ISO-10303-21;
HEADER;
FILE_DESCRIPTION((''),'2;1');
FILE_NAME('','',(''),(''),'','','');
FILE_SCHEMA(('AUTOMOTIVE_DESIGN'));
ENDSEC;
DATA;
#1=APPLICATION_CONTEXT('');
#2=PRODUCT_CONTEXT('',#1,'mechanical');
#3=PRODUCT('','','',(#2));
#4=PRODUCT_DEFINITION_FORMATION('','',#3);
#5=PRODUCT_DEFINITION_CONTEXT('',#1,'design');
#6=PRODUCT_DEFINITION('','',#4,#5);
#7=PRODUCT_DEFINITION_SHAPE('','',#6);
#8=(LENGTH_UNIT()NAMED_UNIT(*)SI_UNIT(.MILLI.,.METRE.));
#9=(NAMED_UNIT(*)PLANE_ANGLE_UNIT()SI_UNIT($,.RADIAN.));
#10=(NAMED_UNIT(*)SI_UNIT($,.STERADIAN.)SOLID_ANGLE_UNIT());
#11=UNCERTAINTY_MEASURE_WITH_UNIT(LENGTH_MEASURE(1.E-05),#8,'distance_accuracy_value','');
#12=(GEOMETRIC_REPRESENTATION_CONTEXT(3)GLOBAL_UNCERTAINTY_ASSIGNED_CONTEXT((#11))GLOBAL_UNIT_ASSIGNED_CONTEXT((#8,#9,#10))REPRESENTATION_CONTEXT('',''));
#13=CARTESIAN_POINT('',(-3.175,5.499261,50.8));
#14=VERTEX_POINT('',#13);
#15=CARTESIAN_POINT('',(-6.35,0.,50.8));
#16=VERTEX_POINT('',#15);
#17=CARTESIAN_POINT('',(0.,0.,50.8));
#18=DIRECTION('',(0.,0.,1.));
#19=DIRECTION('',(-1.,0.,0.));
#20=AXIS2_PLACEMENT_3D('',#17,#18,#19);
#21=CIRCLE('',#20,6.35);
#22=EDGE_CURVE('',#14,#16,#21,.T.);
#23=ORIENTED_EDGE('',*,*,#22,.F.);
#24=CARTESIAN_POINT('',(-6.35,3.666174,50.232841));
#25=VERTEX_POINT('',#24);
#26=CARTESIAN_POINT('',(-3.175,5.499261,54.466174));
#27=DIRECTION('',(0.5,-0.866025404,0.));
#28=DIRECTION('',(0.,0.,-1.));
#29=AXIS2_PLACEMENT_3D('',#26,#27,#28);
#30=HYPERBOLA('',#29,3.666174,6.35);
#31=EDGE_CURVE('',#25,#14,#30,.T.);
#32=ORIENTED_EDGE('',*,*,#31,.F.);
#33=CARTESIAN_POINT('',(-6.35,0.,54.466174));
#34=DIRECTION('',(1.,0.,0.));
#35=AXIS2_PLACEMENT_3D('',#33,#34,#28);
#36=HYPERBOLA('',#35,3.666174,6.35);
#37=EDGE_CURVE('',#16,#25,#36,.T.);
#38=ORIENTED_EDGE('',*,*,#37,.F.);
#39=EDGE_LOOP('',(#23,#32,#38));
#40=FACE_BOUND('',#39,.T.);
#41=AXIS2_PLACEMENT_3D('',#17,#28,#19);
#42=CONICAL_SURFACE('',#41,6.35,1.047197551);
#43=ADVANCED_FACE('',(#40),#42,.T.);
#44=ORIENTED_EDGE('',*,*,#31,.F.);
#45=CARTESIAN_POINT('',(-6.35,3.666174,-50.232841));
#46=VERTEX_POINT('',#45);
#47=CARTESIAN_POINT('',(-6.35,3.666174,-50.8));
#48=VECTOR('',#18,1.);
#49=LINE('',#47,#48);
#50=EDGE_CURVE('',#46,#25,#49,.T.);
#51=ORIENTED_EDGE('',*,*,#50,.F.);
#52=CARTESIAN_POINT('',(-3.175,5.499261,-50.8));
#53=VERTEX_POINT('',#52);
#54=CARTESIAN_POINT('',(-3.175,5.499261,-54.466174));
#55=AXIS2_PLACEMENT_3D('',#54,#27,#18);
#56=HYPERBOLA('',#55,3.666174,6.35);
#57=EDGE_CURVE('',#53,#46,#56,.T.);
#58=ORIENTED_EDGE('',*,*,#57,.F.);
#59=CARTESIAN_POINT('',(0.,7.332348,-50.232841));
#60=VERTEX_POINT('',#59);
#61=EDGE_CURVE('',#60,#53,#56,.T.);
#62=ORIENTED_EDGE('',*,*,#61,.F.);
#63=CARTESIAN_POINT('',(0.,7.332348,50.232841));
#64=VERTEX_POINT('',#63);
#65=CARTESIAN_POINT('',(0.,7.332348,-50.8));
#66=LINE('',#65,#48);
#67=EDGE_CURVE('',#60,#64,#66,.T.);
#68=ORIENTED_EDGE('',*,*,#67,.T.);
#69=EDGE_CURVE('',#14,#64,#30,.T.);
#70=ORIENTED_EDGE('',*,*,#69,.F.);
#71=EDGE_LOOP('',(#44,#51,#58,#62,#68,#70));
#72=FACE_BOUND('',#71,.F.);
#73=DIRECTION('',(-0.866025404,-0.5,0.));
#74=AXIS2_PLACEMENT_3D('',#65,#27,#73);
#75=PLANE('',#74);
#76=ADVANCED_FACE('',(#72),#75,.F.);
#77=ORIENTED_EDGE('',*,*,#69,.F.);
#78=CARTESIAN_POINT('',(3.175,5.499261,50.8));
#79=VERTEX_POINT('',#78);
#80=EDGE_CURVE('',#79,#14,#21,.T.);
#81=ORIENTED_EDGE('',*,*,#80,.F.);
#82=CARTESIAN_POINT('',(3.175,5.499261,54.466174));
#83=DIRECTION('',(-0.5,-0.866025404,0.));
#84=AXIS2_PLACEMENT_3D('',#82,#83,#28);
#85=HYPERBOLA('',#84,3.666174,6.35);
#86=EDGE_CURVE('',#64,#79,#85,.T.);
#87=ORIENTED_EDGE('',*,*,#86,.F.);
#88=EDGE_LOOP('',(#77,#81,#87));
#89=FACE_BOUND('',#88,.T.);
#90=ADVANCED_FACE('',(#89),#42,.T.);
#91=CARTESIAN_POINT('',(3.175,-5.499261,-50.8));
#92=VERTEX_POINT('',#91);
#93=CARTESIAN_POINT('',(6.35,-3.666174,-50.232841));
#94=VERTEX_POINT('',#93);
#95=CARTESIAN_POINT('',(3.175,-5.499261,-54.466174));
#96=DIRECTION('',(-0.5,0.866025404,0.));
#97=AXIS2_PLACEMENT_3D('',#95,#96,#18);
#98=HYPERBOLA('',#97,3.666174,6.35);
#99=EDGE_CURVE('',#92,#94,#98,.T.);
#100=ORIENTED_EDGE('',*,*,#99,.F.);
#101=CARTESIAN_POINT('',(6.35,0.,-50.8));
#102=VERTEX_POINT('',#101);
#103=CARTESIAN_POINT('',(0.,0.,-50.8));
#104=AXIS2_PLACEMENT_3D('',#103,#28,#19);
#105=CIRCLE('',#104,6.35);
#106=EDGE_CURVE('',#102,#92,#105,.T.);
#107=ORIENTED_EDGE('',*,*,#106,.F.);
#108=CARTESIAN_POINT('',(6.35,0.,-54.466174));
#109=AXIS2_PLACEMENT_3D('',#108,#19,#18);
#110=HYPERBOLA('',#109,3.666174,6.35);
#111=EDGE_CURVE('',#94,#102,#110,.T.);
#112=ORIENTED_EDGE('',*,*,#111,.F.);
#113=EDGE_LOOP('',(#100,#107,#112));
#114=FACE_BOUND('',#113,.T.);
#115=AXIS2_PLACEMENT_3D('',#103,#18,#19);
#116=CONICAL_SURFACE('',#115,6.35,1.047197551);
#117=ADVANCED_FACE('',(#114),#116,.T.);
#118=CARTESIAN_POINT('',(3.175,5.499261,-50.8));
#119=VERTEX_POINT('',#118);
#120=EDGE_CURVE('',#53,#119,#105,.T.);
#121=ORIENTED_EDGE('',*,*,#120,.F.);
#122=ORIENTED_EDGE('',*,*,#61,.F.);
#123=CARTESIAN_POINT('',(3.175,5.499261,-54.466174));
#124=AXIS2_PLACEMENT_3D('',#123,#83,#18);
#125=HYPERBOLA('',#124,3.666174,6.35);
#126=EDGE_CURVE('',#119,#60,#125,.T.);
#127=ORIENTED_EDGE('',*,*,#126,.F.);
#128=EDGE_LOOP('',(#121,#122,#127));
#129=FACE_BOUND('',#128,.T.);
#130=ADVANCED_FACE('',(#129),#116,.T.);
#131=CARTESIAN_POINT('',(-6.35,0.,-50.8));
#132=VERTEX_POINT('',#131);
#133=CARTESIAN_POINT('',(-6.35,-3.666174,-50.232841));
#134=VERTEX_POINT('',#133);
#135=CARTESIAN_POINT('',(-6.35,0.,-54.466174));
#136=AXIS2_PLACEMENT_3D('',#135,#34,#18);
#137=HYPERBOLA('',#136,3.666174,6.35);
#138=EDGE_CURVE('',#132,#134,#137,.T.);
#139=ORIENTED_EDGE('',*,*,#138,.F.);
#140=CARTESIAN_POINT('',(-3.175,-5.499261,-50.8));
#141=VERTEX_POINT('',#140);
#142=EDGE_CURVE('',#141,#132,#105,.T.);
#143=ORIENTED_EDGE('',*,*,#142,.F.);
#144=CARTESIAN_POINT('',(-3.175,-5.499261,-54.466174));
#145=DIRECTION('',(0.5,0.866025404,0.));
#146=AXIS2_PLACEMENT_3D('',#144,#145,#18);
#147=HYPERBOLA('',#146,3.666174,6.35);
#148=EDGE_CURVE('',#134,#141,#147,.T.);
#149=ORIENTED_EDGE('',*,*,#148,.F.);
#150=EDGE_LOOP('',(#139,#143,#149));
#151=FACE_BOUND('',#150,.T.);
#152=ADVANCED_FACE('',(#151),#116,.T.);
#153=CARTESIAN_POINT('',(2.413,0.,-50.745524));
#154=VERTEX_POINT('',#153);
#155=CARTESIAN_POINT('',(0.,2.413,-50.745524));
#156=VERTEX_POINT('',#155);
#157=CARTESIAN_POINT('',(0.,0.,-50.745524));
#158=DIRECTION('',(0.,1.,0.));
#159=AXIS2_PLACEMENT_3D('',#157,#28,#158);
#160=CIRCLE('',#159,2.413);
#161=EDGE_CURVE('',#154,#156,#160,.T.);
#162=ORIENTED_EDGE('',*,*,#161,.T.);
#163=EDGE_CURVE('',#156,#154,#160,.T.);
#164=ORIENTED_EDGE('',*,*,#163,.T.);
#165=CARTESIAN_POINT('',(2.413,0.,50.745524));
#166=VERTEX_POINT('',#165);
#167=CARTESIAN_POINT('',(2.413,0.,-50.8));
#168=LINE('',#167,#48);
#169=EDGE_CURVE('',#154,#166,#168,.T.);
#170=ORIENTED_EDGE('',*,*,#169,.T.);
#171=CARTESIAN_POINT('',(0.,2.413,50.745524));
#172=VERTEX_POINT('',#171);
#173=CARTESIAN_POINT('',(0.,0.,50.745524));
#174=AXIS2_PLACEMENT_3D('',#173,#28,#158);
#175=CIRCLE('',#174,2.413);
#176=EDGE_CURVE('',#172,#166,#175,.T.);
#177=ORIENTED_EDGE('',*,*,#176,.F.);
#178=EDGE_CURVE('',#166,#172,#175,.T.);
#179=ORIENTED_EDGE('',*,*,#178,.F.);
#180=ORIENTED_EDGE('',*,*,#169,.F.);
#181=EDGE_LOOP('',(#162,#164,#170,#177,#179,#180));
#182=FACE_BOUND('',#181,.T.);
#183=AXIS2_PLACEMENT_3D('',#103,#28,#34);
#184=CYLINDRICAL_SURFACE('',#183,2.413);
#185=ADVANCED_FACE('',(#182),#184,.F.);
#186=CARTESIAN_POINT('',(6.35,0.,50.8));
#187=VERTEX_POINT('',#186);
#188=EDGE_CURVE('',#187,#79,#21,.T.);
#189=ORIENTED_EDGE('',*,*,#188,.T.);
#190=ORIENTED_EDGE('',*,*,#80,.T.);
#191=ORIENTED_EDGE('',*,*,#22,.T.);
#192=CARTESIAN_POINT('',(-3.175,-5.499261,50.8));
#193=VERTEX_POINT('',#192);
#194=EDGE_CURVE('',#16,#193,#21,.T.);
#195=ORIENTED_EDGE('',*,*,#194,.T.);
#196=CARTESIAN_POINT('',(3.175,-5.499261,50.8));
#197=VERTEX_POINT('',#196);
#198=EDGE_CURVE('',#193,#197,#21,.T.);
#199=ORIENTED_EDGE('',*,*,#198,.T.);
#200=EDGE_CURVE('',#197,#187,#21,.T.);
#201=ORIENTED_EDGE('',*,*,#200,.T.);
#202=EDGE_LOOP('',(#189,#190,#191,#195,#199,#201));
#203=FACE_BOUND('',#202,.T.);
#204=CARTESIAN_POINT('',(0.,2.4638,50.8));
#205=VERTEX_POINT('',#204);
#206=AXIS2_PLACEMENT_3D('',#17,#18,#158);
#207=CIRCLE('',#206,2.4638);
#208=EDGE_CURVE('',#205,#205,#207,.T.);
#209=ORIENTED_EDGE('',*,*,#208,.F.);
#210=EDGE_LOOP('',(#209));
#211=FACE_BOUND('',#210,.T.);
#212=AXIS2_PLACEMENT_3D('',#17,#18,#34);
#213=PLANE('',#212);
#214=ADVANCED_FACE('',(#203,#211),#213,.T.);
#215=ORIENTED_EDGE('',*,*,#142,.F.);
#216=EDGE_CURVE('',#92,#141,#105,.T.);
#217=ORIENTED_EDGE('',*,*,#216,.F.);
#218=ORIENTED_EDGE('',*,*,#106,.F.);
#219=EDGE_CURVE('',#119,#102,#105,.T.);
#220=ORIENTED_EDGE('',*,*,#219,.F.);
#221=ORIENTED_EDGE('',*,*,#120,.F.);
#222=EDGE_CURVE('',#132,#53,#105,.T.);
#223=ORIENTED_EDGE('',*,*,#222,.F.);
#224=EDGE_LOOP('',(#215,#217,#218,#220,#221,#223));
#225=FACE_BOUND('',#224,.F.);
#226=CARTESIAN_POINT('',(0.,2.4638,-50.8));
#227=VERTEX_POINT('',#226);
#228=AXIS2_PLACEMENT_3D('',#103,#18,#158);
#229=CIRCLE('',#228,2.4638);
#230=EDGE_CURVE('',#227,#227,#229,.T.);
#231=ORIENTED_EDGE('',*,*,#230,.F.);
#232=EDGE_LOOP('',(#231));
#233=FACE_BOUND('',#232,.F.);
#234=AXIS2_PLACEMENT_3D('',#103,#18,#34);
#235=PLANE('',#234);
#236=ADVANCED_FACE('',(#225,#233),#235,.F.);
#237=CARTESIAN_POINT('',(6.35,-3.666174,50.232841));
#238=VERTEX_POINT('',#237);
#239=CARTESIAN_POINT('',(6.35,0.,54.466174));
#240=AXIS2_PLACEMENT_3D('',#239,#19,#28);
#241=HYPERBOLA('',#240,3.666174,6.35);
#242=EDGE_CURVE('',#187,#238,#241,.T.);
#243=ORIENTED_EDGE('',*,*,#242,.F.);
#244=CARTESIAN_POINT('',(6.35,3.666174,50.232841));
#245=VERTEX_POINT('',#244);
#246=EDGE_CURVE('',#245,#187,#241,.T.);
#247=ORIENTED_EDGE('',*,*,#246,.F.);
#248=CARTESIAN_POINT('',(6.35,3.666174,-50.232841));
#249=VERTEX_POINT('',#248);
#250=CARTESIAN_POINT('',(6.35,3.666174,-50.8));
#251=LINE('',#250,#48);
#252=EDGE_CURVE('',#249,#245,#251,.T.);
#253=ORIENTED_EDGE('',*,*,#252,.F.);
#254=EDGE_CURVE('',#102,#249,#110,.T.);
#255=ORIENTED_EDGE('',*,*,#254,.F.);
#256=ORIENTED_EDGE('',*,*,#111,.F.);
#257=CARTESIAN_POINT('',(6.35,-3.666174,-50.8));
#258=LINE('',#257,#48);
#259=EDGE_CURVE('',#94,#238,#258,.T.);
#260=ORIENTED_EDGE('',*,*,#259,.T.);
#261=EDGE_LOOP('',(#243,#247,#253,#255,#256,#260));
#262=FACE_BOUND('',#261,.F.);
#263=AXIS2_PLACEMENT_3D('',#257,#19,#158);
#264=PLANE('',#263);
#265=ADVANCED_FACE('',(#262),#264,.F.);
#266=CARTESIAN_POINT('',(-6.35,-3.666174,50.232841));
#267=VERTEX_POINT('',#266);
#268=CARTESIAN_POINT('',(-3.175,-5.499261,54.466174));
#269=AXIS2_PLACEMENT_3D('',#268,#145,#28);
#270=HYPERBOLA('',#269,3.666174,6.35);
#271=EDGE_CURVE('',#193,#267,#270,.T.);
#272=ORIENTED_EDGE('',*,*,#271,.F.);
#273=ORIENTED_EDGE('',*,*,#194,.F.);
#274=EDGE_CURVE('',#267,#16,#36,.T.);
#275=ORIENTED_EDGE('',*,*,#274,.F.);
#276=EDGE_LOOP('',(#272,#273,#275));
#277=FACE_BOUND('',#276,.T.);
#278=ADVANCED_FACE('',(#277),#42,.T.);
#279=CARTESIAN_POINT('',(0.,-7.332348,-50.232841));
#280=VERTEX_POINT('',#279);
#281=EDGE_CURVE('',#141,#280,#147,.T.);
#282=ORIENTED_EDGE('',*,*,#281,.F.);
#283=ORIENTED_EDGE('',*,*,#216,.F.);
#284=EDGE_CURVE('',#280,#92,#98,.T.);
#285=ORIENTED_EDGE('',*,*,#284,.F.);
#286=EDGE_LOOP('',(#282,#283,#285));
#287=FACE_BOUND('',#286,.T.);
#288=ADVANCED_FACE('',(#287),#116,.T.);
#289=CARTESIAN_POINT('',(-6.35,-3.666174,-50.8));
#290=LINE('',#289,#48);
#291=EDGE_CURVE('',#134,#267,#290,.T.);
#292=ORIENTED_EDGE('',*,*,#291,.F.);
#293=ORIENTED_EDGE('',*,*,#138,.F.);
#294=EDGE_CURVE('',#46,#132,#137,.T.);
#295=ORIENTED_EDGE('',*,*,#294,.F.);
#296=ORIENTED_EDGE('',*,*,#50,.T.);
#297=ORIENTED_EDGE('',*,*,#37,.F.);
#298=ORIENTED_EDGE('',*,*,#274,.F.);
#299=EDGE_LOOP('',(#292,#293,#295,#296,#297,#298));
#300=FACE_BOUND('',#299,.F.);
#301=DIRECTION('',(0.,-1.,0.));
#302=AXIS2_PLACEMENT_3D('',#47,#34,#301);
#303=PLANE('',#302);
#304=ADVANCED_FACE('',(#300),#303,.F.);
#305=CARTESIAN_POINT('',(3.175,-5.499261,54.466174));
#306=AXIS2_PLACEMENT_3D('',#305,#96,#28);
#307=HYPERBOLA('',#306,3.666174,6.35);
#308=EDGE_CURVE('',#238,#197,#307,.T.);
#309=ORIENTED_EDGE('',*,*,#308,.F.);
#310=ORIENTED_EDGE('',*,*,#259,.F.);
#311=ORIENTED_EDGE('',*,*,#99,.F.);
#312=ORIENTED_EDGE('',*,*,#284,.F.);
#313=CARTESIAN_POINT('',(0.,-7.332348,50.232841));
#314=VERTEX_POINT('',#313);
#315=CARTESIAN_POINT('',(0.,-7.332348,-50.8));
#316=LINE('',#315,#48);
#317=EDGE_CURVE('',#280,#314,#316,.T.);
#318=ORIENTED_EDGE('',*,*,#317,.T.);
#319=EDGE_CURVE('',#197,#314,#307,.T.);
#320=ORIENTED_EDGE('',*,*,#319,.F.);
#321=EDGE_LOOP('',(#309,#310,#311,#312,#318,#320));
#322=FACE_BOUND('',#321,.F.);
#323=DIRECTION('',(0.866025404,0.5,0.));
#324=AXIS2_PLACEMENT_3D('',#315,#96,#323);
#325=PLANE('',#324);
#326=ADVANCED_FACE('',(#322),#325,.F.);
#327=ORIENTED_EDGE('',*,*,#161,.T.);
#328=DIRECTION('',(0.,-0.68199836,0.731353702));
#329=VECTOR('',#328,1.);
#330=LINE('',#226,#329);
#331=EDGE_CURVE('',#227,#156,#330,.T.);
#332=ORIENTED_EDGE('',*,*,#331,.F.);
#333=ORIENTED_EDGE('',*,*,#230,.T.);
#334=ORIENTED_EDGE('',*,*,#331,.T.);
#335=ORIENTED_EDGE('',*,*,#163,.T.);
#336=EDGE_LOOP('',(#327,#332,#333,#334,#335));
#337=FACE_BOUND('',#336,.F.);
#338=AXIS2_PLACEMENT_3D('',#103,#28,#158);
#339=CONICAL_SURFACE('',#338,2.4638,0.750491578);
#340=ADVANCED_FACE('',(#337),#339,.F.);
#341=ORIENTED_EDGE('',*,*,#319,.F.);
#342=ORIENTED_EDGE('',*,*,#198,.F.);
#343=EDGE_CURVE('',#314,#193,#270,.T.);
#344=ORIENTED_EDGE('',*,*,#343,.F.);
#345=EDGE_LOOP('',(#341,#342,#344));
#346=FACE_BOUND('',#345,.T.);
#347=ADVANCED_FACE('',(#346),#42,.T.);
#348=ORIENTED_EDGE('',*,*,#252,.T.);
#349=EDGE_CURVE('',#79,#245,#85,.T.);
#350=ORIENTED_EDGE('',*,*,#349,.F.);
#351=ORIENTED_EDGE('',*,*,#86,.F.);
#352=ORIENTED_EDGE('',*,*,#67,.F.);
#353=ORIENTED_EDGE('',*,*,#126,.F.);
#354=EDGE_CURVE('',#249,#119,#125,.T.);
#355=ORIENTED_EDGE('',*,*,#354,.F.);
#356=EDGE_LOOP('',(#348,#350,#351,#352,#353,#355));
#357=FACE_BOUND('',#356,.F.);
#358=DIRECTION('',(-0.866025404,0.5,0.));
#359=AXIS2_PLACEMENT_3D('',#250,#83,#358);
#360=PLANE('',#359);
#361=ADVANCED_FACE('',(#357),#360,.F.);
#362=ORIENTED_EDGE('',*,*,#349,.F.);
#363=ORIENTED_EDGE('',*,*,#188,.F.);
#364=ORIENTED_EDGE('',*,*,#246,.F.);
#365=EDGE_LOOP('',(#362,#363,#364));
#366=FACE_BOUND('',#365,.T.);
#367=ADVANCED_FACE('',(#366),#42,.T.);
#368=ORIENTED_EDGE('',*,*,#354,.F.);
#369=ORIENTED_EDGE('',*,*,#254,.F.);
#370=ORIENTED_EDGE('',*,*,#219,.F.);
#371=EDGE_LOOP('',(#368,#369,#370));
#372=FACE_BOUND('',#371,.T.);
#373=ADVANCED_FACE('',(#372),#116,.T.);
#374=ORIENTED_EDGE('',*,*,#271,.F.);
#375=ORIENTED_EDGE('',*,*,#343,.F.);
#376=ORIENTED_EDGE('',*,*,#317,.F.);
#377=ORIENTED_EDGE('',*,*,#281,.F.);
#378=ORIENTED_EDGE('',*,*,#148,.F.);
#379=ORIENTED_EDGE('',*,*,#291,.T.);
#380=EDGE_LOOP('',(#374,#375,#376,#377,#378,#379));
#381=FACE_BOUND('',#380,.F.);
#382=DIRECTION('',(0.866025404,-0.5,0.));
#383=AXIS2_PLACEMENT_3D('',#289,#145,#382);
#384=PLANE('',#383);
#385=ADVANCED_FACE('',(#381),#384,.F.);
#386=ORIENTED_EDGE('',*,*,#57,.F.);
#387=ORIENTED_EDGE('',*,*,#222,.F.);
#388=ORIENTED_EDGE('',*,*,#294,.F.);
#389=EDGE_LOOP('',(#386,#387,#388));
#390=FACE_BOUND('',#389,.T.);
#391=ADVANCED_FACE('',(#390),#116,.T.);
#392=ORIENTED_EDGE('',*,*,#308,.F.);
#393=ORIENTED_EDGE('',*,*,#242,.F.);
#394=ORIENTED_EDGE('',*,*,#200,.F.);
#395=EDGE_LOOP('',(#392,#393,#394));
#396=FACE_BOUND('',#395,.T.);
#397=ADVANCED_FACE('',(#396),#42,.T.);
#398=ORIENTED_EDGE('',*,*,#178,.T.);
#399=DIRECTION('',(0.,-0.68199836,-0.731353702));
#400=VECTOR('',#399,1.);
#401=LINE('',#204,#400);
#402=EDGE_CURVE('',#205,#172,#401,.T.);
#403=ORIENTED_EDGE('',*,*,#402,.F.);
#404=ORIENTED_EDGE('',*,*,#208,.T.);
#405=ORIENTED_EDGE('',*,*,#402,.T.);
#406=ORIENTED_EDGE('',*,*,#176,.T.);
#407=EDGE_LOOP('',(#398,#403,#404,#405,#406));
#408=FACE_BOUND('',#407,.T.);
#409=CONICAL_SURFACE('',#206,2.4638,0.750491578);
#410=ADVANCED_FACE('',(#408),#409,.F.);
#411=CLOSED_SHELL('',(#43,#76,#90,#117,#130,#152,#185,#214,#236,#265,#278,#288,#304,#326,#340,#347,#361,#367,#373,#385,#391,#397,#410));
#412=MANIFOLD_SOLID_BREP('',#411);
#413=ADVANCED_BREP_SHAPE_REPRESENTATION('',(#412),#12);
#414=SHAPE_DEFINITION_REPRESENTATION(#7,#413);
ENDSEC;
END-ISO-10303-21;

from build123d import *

# Parameters (mm, degrees)
EXTRUDE1_DEPTH          = 50.8
EXTRUDE1_DEPTH_BACK     = 50.8
SKETCH1_R               = 2.413
SKETCH8_OUTSIDE_W       = 392.404
SKETCH8_OUTSIDE_H       = 394.368
SKETCH8_OUTSIDE_R       = 6.35
EXTRUDE4_DEPTH          = 103.061970554
EXTRUDE4_DRAFT          = -60
MIRROR1_COPY_1_SKETCH_W = 392.404
MIRROR1_COPY_1_SKETCH_H = 394.368
MIRROR1_COPY_1_SKETCH_R = 6.35
MIRROR1_COPY_1_DEPTH    = 103.061970554
MIRROR1_COPY_1_DRAFT    = -60


with BuildPart() as part:
    # Sketch1 → Extrude1 (new, two sides: drawn at the far end of the back side and taken through both)
    with BuildSketch(Plane.XY.offset(-EXTRUDE1_DEPTH_BACK)):
        Polygon((0, 7.332348419), (-6.35, 3.666174209), (-6.35, -3.666174209), (0, -7.332348419), (6.35, -3.666174209), (6.35, 3.666174209), align=None)
        Circle(SKETCH1_R, mode=Mode.SUBTRACT)
    extrude(amount=EXTRUDE1_DEPTH + EXTRUDE1_DEPTH_BACK)

    # Extrude3 cone 1 section (through the dimple's axis) → Extrude3 (revolve, cut)
    with BuildSketch(Plane(origin=(0, 0, -50.8), x_dir=(0, 1, 0), z_dir=(1, 0, 0))):
        Polygon((0, 0), (2.4638, 0), (0, 2.642102028), align=None)
    extrude3 = revolve(axis=Axis((0, 0, -50.8), (0, 0, 1)), mode=Mode.SUBTRACT)


with BuildPart() as extrude4_tool:
    # Sketch8 outside → Extrude4 (with draft: the straight prism first)
    with BuildSketch(Plane(origin=(0, 0, -50.8), x_dir=(-1, 0, 0), z_dir=(0, 0, -1))):
        Rectangle(SKETCH8_OUTSIDE_W, SKETCH8_OUTSIDE_H)
        Circle(SKETCH8_OUTSIDE_R, mode=Mode.SUBTRACT)
    extrude(amount=-EXTRUDE4_DEPTH)
    # Extrude4: the draft: its side faces are tilted about the plane it starts from
    extrude4_sides = [extrude4_tool.faces().sort_by_distance(p)[0] for p in [
        (0, -197.184, 0.730985277),
        (-196.202, 0, 0.730985277),
        (0, 197.184, 0.730985277),
        (196.202, 0, 0.730985277),
        (6.35, 0, 0.730985277),
    ]]
    draft(extrude4_sides, Plane(origin=(0, 0, -50.8), x_dir=(-1, 0, 0), z_dir=(0, 0, -1)), EXTRUDE4_DRAFT)


with BuildPart() as part_1:
    add(part.part)

    # Extrude4: cut by extrude4_tool
    add(extrude4_tool.part, mode=Mode.SUBTRACT)

    # Mirror1: Extrude3 across plane
    add(extrude3.mirror(Plane.XY), mode=Mode.SUBTRACT)


with BuildPart() as mirror1_copy_1_tool:
    # Mirror1 copy 1 sketch → Mirror1 copy 1 (with draft: the straight prism first)
    with BuildSketch(Plane(origin=(0, 0, 50.8), x_dir=(-1, 0, 0), z_dir=(0, 0, 1))):
        Rectangle(MIRROR1_COPY_1_SKETCH_W, MIRROR1_COPY_1_SKETCH_H)
        Circle(MIRROR1_COPY_1_SKETCH_R, mode=Mode.SUBTRACT)
    extrude(amount=-MIRROR1_COPY_1_DEPTH)
    # Mirror1 copy 1: the draft: its side faces are tilted about the plane it starts from
    mirror1_copy_1_sides = [mirror1_copy_1_tool.faces().sort_by_distance(p)[0] for p in [
        (0, -197.184, -0.730985277),
        (-196.202, 0, -0.730985277),
        (0, 197.184, -0.730985277),
        (196.202, 0, -0.730985277),
        (6.35, 0, -0.730985277),
    ]]
    draft(mirror1_copy_1_sides, Plane(origin=(0, 0, 50.8), x_dir=(-1, 0, 0), z_dir=(0, 0, 1)), MIRROR1_COPY_1_DRAFT)


with BuildPart() as part_2:
    add(part_1.part)

    # Mirror1 copy 1: cut by mirror1_copy_1_tool
    add(mirror1_copy_1_tool.part, mode=Mode.SUBTRACT)


solid = part_2.part
